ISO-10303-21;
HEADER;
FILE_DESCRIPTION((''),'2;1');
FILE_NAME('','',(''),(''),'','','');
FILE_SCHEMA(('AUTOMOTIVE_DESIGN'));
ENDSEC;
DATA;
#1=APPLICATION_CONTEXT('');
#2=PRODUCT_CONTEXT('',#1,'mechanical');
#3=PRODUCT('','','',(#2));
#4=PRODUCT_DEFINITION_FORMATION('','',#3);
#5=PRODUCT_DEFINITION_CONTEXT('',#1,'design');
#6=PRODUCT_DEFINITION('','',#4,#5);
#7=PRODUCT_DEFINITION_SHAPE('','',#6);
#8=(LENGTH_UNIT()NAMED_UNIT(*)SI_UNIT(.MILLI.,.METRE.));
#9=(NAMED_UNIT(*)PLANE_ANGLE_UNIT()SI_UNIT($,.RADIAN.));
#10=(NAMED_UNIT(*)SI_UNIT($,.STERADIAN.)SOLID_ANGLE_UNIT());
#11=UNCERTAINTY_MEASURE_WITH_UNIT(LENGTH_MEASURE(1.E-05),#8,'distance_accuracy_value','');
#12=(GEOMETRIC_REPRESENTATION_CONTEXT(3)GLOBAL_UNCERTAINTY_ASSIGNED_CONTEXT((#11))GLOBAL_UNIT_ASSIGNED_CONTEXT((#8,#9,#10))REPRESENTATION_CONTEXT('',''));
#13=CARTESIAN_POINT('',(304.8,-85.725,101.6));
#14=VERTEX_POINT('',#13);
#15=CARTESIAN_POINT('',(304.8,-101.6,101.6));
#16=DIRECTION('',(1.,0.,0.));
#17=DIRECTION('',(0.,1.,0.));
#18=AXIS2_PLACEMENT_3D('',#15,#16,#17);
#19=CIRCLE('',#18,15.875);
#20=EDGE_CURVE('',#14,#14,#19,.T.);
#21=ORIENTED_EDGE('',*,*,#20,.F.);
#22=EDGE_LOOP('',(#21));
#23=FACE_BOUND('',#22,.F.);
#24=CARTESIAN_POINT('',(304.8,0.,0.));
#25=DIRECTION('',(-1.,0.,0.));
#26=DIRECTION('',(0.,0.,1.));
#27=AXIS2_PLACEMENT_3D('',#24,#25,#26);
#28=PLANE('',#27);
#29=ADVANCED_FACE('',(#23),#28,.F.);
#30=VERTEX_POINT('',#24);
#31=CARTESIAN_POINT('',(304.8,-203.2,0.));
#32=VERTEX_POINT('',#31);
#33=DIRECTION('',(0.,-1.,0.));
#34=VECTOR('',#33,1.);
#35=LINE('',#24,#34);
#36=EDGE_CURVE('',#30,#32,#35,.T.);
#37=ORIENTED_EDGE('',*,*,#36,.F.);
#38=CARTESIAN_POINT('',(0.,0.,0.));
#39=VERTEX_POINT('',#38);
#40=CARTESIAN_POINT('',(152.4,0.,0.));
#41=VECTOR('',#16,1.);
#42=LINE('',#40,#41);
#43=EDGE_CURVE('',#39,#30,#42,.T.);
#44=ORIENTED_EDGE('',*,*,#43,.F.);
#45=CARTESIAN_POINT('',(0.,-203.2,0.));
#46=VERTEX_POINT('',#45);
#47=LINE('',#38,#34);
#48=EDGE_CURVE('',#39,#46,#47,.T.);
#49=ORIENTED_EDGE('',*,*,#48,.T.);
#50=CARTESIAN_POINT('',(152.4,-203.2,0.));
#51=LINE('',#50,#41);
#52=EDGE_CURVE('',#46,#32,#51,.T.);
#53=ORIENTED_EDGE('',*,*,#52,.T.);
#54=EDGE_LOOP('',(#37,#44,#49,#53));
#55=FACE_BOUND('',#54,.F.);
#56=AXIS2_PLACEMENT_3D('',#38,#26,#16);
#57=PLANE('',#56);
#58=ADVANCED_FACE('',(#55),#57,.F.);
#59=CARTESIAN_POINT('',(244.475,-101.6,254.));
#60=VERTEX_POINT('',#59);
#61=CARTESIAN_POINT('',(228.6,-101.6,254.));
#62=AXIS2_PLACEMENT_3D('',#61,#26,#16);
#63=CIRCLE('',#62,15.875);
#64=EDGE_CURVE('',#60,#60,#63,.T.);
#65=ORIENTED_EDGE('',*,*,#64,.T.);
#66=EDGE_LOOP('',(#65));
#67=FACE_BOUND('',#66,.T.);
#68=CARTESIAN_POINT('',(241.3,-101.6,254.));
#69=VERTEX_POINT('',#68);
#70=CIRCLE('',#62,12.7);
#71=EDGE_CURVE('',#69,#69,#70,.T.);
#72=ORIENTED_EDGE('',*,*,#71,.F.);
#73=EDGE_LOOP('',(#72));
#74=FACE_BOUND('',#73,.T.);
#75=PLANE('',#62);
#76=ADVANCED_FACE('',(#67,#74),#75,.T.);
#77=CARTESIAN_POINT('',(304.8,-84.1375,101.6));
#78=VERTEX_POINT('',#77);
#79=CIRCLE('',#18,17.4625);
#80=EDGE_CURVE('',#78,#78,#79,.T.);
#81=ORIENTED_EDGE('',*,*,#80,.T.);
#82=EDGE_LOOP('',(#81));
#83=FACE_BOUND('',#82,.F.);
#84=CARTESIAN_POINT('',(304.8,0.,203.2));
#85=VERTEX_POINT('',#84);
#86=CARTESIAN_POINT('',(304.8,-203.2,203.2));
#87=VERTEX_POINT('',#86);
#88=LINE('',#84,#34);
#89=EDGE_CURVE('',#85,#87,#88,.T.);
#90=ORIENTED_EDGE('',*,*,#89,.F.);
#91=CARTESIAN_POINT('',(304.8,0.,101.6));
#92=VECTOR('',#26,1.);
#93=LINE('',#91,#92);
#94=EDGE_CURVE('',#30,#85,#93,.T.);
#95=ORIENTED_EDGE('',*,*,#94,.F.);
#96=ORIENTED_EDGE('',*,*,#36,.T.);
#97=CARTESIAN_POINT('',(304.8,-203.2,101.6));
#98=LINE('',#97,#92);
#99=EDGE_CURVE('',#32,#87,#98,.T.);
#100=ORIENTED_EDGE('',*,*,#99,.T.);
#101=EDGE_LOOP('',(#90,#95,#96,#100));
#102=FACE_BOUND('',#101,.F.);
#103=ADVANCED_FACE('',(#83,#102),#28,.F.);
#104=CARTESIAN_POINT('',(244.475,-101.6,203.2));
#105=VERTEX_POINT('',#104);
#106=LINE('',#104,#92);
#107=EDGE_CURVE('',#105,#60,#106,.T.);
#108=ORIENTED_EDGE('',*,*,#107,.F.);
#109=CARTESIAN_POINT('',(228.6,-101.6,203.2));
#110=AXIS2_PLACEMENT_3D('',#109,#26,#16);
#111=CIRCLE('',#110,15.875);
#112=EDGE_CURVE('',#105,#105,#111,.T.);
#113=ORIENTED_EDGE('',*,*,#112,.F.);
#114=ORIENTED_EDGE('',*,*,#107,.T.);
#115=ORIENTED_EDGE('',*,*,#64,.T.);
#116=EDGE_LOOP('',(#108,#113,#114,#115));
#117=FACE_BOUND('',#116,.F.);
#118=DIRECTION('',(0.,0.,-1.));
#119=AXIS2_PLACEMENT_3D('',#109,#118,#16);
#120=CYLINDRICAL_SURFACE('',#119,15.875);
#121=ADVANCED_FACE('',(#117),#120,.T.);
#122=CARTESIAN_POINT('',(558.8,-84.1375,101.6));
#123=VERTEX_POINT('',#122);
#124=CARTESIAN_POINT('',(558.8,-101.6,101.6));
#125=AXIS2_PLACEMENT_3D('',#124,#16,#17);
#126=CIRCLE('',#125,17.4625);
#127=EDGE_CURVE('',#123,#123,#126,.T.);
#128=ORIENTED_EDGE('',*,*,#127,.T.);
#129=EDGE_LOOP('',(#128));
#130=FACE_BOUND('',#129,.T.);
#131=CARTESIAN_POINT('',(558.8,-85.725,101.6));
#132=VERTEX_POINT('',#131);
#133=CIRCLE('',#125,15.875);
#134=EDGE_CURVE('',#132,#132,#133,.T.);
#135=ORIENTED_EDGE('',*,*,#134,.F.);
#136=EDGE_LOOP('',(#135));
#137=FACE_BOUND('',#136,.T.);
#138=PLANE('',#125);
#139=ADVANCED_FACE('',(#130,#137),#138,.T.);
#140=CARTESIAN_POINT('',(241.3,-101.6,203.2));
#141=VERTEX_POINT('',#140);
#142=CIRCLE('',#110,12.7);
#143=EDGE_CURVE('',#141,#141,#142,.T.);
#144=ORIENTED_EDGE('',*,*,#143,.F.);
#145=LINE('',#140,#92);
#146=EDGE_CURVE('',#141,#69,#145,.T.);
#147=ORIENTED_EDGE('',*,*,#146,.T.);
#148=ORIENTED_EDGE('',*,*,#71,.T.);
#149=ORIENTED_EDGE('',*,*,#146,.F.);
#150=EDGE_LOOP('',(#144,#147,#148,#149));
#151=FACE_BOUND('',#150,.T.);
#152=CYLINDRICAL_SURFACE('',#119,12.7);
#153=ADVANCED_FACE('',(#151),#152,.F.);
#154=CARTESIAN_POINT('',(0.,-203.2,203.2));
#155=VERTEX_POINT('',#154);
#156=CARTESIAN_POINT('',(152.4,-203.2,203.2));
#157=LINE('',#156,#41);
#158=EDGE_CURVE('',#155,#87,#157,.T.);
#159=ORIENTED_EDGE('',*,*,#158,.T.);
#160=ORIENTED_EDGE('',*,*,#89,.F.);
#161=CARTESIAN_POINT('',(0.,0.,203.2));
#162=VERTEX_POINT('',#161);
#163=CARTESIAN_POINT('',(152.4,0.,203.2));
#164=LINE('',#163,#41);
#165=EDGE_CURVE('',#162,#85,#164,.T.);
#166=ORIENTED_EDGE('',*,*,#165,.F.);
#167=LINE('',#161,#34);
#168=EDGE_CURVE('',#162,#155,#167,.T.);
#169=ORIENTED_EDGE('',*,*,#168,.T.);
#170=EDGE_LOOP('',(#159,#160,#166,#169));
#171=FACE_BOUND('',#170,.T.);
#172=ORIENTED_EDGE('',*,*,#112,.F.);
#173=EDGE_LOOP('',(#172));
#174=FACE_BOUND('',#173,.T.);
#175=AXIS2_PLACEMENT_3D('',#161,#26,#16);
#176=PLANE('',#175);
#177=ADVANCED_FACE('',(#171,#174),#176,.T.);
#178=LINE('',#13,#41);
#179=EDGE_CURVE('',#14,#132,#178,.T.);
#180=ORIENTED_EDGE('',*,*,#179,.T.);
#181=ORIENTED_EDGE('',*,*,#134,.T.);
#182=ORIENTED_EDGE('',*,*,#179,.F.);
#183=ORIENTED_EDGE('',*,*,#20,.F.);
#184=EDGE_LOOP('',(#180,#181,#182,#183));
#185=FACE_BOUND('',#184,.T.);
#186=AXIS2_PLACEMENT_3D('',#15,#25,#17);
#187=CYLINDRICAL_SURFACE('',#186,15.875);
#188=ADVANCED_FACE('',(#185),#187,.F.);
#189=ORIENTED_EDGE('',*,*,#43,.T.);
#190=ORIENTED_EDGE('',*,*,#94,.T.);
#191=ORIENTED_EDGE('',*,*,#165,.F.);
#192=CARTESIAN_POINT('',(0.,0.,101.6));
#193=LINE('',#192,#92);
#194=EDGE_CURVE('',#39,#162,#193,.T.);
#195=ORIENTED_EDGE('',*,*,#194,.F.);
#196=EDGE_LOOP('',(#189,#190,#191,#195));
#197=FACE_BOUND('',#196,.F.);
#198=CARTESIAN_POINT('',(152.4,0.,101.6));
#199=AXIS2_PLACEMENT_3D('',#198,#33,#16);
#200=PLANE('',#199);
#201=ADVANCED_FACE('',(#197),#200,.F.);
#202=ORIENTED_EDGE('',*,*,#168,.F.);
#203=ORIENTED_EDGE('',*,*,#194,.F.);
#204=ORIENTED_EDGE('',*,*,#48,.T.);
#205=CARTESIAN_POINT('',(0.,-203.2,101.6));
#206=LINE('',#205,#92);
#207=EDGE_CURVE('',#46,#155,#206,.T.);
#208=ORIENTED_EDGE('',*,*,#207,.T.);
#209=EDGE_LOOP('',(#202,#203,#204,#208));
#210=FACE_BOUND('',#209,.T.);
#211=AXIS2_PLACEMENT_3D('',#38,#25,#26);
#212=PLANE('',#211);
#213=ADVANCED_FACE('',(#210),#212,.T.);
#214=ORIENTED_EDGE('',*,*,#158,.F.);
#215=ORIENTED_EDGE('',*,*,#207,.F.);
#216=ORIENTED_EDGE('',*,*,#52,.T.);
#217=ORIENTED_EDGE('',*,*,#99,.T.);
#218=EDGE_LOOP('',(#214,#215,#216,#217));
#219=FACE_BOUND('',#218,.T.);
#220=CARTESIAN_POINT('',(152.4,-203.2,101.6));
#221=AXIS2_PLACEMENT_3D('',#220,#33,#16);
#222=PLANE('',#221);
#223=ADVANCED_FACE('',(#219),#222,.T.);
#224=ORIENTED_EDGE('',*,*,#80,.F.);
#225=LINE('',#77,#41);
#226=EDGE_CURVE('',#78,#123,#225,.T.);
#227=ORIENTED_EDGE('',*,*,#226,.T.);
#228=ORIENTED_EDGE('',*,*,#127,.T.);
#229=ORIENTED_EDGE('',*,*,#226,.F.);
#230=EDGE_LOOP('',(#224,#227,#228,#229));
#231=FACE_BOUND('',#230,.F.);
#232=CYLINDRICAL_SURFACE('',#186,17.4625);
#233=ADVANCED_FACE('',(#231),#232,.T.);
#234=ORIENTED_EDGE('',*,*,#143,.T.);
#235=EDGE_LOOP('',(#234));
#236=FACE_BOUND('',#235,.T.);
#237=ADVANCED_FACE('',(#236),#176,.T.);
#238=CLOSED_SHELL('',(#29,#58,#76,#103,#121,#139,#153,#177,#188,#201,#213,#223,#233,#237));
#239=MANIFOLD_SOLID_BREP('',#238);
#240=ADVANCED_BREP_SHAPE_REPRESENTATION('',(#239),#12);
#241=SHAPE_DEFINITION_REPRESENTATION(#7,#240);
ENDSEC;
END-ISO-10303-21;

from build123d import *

# Parameters (mm, degrees)
F0_W     = 304.8
F0_H     = 203.2
F1_DEPTH = 203.2
F2_R     = 17.4625
F2_R_2   = 15.875
F3_DEPTH = 254
F4_R     = 15.875
F4_R_2   = 12.7
F5_DEPTH = 50.8


with BuildPart() as f1:
    # F0 (on Front) → F1 (new body)
    with BuildSketch(Plane.XZ):
        with Locations((152.4, 101.6)):
            Rectangle(F0_W, F0_H)
    extrude(amount=F1_DEPTH)

    # F2 (on face) → F3 (join)
    with BuildSketch(Plane.YZ.offset(304.8)):
        with Locations((-101.6, 101.6)):
            Circle(F2_R)
        with Locations((-101.6, 101.6)):
            Circle(F2_R_2, mode=Mode.SUBTRACT)
    extrude(amount=F3_DEPTH)

    # F4 (on face) → F5 (join)
    with BuildSketch(Plane.XY.offset(203.2)):
        with Locations((228.6, -101.6)):
            Circle(F4_R)
        with Locations((228.6, -101.6)):
            Circle(F4_R_2, mode=Mode.SUBTRACT)
    extrude(amount=F5_DEPTH)


solid = f1.part
